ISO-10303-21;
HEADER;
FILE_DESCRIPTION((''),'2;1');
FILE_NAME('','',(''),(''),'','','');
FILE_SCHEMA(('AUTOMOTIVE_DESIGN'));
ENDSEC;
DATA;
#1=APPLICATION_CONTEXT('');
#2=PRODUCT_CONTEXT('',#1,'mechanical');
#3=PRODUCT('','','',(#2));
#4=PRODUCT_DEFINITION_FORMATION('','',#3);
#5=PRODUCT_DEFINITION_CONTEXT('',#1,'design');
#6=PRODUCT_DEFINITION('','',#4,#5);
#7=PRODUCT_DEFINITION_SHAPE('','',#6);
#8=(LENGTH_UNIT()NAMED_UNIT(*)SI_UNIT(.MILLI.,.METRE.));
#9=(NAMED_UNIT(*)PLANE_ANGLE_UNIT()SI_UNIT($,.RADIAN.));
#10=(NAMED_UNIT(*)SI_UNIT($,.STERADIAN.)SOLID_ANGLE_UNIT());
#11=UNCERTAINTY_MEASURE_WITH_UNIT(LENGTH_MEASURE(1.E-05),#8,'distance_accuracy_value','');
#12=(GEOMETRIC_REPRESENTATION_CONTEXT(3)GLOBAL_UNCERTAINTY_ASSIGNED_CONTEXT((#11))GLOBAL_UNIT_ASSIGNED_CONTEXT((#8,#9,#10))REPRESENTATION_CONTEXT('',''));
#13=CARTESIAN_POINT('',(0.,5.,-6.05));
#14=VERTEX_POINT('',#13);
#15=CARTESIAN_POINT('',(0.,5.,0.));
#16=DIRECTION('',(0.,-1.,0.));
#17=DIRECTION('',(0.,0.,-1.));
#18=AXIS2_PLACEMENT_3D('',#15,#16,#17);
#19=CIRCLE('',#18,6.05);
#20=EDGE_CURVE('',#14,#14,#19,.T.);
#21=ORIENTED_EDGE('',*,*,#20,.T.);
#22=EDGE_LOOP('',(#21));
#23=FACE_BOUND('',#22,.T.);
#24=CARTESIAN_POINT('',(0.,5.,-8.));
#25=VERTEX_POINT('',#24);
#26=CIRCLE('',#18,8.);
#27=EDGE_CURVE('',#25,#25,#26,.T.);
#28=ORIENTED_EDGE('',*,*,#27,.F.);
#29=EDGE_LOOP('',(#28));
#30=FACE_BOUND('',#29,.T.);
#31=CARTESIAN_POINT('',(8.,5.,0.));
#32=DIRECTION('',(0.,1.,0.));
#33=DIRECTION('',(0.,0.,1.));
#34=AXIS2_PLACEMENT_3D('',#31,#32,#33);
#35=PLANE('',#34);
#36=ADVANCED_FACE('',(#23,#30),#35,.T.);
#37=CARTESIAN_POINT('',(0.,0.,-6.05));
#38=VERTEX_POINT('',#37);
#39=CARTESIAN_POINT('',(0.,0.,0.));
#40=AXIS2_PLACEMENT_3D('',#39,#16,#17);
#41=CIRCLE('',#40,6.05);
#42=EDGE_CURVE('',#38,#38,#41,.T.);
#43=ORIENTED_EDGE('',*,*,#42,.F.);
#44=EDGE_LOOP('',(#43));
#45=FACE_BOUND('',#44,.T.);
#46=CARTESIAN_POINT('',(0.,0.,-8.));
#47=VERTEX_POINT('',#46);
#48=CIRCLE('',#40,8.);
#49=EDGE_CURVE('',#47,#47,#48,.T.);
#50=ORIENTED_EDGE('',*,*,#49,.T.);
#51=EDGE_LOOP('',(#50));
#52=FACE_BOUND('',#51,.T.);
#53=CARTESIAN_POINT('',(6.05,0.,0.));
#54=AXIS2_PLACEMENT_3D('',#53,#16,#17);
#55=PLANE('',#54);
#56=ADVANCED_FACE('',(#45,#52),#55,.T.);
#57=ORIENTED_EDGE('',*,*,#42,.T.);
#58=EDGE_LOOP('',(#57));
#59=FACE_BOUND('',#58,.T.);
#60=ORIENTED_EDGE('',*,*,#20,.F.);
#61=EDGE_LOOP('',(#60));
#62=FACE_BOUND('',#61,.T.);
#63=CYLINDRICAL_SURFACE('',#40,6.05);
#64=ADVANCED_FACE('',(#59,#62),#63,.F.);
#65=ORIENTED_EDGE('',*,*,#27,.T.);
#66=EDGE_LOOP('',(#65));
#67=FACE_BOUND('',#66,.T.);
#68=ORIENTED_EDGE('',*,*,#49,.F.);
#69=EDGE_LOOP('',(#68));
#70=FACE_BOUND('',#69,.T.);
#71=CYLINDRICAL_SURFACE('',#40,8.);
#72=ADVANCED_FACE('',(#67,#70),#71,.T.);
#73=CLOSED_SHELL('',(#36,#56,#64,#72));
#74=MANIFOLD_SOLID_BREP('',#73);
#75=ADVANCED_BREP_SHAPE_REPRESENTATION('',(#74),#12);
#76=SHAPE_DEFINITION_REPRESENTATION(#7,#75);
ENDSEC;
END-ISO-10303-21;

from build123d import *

# Parameters (mm, degrees)
SKETCH_1_W = 1.95
SKETCH_1_H = 5


with BuildPart() as part:
    # 草图1 → Rotary_seal_envelope (revolve)
    with BuildSketch(Plane.XY, mode=Mode.PRIVATE) as rotary_seal_envelope_sk:
        with Locations((7.025, 2.5)):
            Rectangle(SKETCH_1_W, SKETCH_1_H)
    revolve(rotary_seal_envelope_sk.sketch.rotate(Axis((0, 0, 0), (0, 1, 0)), 90), axis=Axis((0, 0, 0), (0, 1, 0)))


solid = part.part
